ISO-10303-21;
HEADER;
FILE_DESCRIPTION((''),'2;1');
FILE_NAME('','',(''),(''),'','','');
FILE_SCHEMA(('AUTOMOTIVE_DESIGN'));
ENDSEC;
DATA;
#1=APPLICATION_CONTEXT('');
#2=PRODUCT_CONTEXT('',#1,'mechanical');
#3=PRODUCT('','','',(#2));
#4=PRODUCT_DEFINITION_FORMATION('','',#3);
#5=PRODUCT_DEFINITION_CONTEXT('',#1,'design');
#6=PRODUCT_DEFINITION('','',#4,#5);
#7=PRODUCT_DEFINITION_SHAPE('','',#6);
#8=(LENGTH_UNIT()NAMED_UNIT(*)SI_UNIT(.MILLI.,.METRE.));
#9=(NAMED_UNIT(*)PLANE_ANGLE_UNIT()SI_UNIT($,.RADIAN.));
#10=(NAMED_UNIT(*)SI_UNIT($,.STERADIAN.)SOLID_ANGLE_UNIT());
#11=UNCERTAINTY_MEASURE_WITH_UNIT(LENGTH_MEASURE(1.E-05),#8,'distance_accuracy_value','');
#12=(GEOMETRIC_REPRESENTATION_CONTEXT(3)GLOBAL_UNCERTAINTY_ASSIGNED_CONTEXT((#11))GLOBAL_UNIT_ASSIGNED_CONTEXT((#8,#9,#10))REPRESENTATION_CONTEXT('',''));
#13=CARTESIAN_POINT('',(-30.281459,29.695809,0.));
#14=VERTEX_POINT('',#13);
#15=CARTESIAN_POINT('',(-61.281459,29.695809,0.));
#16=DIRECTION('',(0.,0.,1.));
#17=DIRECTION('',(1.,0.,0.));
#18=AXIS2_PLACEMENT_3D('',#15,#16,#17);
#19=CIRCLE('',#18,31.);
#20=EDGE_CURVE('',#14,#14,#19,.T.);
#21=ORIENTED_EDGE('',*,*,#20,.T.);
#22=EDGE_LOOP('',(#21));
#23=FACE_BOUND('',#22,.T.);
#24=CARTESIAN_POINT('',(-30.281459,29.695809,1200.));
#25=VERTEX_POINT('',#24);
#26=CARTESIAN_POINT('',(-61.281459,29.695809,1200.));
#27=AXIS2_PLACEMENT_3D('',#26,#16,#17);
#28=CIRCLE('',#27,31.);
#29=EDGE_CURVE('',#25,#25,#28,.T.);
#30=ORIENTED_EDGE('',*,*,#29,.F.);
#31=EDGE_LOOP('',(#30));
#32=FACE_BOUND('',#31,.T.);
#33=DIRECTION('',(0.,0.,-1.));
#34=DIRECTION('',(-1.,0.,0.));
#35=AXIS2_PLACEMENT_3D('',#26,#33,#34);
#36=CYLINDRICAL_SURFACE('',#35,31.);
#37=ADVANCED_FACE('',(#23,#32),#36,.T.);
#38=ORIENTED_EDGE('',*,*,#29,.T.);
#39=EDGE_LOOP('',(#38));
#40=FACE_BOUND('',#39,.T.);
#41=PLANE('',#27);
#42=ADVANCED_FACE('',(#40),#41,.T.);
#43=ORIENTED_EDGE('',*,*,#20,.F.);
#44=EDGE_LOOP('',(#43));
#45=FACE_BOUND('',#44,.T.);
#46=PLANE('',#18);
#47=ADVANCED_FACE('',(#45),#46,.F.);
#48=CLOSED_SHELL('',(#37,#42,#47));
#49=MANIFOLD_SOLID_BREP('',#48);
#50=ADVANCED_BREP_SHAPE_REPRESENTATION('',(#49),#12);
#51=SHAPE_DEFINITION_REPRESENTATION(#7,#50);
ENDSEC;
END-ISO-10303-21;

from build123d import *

# Parameters (mm, degrees)
CROQUIS1_R              = 31
SALIENTE_EXTRUIR1_DEPTH = 1200


with BuildPart() as part:
    # Croquis1 → Saliente-Extruir1 (new body)
    with BuildSketch(Plane.XY):
        with Locations((-61.281459379, 29.695808737)):
            Circle(CROQUIS1_R)
    extrude(amount=SALIENTE_EXTRUIR1_DEPTH)


solid = part.part
